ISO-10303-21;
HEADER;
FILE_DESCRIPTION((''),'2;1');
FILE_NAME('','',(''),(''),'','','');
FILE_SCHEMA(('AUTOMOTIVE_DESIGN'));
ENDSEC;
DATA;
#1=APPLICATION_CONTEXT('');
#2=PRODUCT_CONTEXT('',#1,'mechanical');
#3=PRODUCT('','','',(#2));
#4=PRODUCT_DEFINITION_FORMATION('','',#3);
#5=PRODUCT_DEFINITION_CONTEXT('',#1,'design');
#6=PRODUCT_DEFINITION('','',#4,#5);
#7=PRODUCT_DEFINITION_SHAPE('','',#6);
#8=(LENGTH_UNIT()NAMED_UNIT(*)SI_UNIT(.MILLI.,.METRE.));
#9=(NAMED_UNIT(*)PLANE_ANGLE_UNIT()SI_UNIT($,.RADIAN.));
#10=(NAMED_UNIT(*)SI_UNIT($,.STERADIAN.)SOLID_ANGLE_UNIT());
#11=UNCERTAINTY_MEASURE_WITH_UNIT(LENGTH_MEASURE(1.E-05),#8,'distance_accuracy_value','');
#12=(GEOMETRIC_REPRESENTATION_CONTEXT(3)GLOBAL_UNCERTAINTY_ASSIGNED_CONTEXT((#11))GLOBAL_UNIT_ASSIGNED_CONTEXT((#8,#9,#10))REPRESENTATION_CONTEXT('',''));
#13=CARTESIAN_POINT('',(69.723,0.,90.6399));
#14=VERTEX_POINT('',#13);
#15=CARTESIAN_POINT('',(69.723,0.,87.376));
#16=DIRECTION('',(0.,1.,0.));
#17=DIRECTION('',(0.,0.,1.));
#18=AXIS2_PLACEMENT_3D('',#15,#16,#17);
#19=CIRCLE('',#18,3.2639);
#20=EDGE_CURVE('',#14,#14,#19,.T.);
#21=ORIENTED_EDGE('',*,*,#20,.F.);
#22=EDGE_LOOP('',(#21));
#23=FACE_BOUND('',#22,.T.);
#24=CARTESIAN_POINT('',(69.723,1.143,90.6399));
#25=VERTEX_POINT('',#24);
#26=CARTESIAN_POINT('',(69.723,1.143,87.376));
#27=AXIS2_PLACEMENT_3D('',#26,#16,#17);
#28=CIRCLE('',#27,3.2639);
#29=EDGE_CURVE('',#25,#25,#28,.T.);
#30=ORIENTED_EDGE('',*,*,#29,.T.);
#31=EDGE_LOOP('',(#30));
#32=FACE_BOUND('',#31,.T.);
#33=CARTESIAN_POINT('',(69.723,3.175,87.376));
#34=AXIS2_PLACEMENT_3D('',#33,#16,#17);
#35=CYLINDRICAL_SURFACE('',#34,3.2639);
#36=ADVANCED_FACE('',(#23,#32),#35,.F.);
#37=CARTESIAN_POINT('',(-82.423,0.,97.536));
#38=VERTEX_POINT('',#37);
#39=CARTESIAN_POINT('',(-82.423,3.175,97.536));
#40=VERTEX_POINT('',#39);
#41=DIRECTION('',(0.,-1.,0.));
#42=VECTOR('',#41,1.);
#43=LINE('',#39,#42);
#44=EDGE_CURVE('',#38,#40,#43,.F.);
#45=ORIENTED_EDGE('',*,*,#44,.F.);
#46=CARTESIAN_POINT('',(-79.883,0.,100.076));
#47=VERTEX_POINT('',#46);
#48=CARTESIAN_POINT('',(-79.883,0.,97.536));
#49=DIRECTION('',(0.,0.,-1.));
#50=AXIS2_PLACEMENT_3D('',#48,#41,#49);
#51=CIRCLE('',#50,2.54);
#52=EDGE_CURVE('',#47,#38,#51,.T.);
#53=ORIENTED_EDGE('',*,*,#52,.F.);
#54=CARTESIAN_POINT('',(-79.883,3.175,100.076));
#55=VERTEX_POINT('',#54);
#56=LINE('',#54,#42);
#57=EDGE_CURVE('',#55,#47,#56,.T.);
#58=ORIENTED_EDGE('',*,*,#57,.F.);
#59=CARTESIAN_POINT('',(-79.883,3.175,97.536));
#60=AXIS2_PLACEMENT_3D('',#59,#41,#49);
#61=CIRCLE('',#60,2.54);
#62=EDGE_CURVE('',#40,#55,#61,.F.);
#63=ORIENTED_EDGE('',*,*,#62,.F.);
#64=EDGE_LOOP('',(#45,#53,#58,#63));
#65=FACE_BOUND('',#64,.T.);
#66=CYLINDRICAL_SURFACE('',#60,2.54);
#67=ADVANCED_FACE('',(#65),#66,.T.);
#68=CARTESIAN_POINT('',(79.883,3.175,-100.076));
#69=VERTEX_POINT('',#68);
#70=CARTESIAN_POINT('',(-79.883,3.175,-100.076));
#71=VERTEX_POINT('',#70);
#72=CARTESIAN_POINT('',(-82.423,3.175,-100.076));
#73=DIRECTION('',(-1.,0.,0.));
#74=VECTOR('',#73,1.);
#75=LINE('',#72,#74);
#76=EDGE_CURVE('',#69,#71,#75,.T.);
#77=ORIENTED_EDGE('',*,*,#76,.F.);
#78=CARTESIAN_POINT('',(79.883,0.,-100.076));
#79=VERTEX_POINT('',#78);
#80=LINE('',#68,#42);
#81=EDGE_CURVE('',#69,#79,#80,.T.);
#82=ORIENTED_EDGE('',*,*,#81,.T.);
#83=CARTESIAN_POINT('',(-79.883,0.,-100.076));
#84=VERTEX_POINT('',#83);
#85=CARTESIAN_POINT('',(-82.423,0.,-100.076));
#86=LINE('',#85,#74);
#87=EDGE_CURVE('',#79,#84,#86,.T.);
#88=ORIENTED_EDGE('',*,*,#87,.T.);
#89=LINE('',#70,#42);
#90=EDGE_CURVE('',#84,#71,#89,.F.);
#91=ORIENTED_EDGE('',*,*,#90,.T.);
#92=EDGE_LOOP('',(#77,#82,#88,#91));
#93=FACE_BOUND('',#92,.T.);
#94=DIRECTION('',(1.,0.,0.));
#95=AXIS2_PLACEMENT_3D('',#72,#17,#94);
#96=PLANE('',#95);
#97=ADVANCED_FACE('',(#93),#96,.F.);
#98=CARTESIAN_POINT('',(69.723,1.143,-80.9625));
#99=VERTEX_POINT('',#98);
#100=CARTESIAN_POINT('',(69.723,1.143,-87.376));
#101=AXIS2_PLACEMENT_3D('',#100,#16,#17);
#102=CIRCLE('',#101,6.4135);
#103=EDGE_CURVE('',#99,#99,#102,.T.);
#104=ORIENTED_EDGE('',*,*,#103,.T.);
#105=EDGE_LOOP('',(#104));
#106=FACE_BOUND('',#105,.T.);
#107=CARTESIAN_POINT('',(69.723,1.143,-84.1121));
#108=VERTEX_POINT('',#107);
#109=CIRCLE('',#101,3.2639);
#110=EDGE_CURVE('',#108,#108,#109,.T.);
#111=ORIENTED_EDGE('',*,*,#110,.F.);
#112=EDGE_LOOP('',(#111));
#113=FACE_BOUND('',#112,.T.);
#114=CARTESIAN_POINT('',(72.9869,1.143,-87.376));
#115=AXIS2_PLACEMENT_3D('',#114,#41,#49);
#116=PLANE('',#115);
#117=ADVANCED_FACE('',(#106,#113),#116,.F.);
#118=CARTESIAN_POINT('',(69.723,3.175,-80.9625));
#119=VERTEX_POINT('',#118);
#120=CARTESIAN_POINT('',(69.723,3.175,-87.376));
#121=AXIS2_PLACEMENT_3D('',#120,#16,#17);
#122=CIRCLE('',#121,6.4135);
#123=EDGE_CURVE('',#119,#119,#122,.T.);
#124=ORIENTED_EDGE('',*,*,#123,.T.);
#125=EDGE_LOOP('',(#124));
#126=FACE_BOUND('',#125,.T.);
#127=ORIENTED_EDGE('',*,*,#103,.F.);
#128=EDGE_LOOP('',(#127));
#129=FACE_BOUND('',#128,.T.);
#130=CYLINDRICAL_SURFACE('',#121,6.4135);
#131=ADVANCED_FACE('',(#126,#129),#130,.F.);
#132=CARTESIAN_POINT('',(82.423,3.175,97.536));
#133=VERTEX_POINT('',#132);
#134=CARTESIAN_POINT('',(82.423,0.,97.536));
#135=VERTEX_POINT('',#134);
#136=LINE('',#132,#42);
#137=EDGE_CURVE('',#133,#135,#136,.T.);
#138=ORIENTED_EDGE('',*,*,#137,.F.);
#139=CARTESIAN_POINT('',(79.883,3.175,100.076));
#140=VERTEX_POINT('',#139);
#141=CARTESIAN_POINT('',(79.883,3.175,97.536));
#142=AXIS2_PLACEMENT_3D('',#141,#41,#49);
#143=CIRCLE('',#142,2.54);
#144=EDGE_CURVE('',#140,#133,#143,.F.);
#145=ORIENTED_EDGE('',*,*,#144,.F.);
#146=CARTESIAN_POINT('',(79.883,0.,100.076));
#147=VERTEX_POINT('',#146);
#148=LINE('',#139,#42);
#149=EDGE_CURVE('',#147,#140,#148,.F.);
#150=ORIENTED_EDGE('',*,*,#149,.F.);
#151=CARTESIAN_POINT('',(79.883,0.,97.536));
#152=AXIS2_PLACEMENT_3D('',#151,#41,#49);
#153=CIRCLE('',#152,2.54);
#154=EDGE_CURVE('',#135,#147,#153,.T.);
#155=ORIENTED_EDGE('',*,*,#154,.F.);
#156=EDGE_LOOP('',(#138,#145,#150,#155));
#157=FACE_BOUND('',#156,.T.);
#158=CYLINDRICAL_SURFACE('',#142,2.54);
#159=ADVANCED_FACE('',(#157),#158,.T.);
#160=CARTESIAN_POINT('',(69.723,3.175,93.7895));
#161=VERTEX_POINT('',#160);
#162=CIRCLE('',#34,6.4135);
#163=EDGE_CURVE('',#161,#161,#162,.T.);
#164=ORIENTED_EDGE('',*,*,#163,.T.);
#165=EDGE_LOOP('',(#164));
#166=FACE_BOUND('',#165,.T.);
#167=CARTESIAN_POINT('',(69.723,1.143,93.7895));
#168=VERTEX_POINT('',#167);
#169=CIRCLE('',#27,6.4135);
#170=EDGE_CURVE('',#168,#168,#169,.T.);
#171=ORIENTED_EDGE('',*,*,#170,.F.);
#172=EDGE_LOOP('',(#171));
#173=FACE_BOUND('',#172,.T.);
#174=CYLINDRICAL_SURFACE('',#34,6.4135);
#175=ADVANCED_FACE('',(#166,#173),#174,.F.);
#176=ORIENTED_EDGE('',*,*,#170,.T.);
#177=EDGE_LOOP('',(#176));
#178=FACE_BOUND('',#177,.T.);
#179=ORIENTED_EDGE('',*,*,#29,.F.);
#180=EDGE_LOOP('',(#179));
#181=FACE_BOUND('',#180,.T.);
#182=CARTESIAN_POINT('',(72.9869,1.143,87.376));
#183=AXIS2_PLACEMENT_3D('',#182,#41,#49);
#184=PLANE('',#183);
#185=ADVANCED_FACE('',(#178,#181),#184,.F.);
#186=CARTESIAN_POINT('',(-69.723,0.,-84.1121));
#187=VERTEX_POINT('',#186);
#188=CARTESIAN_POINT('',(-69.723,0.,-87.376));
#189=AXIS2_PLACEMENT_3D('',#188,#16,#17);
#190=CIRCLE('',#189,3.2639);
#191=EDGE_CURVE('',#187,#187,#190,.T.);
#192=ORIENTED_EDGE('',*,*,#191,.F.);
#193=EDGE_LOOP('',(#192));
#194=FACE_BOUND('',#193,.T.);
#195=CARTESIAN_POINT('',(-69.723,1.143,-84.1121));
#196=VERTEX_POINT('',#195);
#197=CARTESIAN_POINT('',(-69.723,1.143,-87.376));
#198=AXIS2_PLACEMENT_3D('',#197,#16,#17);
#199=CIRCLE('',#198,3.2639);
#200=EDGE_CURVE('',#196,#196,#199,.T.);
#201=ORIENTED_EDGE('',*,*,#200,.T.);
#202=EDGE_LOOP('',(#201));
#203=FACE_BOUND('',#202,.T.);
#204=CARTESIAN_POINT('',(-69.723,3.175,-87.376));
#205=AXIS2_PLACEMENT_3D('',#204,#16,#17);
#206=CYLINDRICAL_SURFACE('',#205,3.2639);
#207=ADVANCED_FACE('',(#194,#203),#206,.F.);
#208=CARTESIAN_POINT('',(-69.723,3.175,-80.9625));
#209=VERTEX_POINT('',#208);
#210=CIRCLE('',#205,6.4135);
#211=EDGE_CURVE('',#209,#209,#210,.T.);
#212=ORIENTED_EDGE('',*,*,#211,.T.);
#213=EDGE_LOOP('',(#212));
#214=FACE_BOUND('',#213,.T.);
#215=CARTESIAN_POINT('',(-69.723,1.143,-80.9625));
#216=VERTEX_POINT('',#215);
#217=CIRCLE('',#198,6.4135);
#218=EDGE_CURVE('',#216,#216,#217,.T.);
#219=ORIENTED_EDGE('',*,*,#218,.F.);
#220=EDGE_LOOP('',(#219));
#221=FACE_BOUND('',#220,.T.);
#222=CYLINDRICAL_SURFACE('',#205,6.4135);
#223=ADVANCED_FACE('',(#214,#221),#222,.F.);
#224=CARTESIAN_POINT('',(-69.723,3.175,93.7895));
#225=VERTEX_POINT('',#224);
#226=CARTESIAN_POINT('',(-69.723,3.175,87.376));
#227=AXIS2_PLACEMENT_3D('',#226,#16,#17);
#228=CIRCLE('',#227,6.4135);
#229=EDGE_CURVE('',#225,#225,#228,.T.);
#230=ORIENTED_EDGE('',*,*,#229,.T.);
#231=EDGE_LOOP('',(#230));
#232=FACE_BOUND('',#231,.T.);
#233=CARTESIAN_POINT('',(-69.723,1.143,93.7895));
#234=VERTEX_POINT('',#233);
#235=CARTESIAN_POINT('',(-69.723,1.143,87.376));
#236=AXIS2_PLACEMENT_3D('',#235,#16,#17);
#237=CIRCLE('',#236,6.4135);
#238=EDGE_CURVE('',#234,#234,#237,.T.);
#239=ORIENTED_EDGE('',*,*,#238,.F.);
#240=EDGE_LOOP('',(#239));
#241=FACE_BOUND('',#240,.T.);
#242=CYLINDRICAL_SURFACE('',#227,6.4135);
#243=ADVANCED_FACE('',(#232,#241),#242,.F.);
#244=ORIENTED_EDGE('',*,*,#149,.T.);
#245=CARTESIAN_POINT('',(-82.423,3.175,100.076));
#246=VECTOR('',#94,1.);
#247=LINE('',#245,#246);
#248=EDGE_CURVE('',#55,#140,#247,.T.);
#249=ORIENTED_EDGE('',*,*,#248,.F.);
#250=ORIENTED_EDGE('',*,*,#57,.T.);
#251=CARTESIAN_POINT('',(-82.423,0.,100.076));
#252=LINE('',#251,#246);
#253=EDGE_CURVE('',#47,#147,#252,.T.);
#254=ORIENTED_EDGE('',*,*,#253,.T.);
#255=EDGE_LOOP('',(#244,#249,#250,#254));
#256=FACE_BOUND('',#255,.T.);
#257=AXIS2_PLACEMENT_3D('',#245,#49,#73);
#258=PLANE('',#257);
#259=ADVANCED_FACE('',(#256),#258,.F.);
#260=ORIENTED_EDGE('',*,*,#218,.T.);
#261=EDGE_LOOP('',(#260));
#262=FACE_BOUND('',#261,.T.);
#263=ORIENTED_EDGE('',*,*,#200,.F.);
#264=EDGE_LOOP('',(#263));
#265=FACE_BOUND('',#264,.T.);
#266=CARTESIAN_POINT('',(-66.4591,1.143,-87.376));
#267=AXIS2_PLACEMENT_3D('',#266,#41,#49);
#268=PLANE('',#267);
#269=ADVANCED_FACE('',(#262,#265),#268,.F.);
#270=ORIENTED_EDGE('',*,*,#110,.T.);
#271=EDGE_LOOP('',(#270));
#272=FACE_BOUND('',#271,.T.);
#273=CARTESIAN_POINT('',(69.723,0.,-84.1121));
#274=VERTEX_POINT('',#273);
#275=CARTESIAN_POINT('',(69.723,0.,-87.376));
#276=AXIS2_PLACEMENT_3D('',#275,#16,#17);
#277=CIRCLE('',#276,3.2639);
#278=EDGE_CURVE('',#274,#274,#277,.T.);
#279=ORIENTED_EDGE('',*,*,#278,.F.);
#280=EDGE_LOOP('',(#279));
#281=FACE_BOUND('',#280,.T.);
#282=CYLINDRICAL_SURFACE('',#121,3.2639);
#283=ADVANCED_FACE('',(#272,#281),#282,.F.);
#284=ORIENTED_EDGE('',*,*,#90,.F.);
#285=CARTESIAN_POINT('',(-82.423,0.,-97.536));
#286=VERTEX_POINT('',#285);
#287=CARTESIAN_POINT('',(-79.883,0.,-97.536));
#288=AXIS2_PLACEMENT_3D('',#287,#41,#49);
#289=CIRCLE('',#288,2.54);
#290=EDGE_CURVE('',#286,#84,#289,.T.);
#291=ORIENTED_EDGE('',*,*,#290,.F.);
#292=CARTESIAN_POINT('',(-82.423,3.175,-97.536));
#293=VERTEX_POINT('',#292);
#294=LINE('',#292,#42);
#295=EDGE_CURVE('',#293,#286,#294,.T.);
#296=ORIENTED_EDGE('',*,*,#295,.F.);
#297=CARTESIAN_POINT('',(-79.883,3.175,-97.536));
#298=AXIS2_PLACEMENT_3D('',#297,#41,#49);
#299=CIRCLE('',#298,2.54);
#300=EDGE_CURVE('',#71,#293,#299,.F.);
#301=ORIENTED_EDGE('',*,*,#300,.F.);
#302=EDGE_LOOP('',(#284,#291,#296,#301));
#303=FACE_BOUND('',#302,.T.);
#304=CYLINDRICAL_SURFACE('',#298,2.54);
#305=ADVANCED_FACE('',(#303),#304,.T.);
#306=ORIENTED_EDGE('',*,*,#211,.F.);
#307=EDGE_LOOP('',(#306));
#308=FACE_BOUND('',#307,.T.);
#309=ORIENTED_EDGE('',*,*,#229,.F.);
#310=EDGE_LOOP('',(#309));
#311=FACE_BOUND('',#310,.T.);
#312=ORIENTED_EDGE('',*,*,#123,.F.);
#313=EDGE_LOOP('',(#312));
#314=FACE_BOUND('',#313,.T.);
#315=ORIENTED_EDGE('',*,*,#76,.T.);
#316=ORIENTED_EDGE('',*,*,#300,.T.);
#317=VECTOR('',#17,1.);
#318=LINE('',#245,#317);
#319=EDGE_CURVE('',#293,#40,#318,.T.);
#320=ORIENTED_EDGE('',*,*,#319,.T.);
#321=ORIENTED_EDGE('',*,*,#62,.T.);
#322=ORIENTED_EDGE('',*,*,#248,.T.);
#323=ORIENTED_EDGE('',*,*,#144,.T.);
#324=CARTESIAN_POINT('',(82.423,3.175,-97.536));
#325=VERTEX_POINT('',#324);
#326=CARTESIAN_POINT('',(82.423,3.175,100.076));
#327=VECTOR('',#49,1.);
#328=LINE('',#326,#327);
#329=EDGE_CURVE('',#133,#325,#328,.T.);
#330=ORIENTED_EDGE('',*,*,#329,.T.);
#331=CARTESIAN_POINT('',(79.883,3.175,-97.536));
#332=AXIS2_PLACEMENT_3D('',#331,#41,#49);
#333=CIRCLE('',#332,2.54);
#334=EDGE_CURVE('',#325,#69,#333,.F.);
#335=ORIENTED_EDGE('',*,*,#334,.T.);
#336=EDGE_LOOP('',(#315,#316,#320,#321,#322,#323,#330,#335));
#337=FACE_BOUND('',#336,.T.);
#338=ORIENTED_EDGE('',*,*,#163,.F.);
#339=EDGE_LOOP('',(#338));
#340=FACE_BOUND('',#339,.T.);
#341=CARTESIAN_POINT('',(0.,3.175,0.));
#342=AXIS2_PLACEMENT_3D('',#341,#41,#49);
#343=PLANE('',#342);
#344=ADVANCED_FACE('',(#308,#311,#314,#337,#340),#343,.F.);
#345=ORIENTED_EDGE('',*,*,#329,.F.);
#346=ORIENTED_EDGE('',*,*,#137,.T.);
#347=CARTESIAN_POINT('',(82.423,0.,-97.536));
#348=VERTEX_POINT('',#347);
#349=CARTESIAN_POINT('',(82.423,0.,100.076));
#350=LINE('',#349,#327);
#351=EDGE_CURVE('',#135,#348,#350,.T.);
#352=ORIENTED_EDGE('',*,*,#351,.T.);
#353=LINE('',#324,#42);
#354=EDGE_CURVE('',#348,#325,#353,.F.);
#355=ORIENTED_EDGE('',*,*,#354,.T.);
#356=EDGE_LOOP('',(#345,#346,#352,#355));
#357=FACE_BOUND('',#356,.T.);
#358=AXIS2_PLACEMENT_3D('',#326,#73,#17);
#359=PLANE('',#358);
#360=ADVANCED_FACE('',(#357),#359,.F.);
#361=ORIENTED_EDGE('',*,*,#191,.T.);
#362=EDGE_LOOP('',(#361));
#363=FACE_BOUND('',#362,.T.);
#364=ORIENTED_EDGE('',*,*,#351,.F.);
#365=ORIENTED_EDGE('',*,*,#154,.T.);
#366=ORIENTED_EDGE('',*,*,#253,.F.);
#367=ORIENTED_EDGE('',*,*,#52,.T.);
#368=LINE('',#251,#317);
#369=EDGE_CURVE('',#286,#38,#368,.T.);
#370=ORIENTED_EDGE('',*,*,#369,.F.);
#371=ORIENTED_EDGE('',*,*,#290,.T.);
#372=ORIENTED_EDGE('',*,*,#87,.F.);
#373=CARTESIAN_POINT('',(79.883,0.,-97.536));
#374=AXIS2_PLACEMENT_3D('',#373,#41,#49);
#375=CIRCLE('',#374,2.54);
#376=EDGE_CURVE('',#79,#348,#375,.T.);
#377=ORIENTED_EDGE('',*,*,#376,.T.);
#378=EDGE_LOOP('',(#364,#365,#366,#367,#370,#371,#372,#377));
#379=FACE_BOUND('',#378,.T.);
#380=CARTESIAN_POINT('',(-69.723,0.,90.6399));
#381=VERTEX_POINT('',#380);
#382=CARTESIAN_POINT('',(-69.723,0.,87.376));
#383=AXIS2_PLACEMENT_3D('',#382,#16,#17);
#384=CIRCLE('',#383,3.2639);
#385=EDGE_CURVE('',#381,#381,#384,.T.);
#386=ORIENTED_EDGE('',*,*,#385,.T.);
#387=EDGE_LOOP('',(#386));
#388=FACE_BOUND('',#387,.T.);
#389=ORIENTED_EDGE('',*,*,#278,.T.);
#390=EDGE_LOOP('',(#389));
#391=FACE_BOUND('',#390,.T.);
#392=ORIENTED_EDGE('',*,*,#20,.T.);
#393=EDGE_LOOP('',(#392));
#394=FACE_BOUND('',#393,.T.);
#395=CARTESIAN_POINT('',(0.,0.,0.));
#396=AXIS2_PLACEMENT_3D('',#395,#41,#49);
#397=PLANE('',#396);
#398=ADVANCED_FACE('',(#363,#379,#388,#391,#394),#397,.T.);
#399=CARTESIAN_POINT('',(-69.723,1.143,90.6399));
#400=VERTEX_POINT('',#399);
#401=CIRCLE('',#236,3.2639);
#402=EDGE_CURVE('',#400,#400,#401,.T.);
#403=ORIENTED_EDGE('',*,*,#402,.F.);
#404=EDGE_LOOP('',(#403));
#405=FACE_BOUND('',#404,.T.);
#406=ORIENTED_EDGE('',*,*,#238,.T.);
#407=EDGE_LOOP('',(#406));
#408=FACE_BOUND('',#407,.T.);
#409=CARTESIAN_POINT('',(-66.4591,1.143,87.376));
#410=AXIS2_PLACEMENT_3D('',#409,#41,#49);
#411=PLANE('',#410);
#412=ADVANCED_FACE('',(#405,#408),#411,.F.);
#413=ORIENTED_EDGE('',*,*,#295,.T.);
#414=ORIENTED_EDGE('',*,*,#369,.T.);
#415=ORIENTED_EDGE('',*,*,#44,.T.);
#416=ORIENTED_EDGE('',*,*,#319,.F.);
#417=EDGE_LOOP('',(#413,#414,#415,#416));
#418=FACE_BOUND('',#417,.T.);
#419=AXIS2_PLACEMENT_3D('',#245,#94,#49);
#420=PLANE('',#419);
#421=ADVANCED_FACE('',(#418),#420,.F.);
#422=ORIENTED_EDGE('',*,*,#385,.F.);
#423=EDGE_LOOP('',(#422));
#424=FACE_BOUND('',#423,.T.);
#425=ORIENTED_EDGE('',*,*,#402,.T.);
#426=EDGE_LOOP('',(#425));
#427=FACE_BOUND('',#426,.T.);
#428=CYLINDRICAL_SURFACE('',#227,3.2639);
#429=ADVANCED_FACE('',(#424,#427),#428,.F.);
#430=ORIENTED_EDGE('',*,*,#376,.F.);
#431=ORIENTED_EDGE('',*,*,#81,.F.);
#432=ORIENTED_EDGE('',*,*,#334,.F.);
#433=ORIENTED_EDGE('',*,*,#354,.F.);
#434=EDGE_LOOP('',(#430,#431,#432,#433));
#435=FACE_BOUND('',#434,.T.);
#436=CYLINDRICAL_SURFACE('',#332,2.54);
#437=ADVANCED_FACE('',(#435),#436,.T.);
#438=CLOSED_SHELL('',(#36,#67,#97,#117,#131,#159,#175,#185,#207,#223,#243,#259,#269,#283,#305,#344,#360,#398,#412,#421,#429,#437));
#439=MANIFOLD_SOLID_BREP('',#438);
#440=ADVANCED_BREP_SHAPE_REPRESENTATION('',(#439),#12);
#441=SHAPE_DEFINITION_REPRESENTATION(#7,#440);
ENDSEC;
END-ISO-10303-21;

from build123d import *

# Parameters (mm, degrees)
SKETCH1_W                                        = 164.846
SKETCH1_H                                        = 200.152
BOSS_EXTRUDE1_DEPTH                              = 3.175
CBORE_FOR_1_4_SOCKET_HEAD_CAP_SCREW1_D           = 6.5278
CBORE_FOR_1_4_SOCKET_HEAD_CAP_SCREW1_CBORE_D     = 12.827
CBORE_FOR_1_4_SOCKET_HEAD_CAP_SCREW1_CBORE_DEPTH = 2.032
FILLET1_R                                        = 2.54


with BuildPart() as part:
    # Sketch1 → Boss-Extrude1 (new body)
    with BuildSketch(Plane(origin=(0, 0, 0), x_dir=(1, 0, 0), z_dir=(0, 1, 0))):
        Rectangle(SKETCH1_W, SKETCH1_H)
    extrude(amount=BOSS_EXTRUDE1_DEPTH)

    # CBORE for 1/4 Socket Head Cap Screw1 (through all)
    with Locations(Plane(origin=(0, 3.175, 0), x_dir=(-1, 0, 0), z_dir=(0, 1, 0))):
        with Locations((69.723, 87.376), (69.723, -87.376), (-69.723, 87.376), (-69.723, -87.376)):
            CounterBoreHole(CBORE_FOR_1_4_SOCKET_HEAD_CAP_SCREW1_D / 2, CBORE_FOR_1_4_SOCKET_HEAD_CAP_SCREW1_CBORE_D / 2, CBORE_FOR_1_4_SOCKET_HEAD_CAP_SCREW1_CBORE_DEPTH)

    # Fillet1
    fillet1_edges = [part.edges().sort_by_distance(p)[0] for p in [
        (82.423, 1.5875, 100.076),
        (-82.423, 1.5875, 100.076),
        (-82.423, 1.5875, -100.076),
        (82.423, 1.5875, -100.076),
    ]]
    fillet(fillet1_edges, radius=FILLET1_R)


solid = part.part
